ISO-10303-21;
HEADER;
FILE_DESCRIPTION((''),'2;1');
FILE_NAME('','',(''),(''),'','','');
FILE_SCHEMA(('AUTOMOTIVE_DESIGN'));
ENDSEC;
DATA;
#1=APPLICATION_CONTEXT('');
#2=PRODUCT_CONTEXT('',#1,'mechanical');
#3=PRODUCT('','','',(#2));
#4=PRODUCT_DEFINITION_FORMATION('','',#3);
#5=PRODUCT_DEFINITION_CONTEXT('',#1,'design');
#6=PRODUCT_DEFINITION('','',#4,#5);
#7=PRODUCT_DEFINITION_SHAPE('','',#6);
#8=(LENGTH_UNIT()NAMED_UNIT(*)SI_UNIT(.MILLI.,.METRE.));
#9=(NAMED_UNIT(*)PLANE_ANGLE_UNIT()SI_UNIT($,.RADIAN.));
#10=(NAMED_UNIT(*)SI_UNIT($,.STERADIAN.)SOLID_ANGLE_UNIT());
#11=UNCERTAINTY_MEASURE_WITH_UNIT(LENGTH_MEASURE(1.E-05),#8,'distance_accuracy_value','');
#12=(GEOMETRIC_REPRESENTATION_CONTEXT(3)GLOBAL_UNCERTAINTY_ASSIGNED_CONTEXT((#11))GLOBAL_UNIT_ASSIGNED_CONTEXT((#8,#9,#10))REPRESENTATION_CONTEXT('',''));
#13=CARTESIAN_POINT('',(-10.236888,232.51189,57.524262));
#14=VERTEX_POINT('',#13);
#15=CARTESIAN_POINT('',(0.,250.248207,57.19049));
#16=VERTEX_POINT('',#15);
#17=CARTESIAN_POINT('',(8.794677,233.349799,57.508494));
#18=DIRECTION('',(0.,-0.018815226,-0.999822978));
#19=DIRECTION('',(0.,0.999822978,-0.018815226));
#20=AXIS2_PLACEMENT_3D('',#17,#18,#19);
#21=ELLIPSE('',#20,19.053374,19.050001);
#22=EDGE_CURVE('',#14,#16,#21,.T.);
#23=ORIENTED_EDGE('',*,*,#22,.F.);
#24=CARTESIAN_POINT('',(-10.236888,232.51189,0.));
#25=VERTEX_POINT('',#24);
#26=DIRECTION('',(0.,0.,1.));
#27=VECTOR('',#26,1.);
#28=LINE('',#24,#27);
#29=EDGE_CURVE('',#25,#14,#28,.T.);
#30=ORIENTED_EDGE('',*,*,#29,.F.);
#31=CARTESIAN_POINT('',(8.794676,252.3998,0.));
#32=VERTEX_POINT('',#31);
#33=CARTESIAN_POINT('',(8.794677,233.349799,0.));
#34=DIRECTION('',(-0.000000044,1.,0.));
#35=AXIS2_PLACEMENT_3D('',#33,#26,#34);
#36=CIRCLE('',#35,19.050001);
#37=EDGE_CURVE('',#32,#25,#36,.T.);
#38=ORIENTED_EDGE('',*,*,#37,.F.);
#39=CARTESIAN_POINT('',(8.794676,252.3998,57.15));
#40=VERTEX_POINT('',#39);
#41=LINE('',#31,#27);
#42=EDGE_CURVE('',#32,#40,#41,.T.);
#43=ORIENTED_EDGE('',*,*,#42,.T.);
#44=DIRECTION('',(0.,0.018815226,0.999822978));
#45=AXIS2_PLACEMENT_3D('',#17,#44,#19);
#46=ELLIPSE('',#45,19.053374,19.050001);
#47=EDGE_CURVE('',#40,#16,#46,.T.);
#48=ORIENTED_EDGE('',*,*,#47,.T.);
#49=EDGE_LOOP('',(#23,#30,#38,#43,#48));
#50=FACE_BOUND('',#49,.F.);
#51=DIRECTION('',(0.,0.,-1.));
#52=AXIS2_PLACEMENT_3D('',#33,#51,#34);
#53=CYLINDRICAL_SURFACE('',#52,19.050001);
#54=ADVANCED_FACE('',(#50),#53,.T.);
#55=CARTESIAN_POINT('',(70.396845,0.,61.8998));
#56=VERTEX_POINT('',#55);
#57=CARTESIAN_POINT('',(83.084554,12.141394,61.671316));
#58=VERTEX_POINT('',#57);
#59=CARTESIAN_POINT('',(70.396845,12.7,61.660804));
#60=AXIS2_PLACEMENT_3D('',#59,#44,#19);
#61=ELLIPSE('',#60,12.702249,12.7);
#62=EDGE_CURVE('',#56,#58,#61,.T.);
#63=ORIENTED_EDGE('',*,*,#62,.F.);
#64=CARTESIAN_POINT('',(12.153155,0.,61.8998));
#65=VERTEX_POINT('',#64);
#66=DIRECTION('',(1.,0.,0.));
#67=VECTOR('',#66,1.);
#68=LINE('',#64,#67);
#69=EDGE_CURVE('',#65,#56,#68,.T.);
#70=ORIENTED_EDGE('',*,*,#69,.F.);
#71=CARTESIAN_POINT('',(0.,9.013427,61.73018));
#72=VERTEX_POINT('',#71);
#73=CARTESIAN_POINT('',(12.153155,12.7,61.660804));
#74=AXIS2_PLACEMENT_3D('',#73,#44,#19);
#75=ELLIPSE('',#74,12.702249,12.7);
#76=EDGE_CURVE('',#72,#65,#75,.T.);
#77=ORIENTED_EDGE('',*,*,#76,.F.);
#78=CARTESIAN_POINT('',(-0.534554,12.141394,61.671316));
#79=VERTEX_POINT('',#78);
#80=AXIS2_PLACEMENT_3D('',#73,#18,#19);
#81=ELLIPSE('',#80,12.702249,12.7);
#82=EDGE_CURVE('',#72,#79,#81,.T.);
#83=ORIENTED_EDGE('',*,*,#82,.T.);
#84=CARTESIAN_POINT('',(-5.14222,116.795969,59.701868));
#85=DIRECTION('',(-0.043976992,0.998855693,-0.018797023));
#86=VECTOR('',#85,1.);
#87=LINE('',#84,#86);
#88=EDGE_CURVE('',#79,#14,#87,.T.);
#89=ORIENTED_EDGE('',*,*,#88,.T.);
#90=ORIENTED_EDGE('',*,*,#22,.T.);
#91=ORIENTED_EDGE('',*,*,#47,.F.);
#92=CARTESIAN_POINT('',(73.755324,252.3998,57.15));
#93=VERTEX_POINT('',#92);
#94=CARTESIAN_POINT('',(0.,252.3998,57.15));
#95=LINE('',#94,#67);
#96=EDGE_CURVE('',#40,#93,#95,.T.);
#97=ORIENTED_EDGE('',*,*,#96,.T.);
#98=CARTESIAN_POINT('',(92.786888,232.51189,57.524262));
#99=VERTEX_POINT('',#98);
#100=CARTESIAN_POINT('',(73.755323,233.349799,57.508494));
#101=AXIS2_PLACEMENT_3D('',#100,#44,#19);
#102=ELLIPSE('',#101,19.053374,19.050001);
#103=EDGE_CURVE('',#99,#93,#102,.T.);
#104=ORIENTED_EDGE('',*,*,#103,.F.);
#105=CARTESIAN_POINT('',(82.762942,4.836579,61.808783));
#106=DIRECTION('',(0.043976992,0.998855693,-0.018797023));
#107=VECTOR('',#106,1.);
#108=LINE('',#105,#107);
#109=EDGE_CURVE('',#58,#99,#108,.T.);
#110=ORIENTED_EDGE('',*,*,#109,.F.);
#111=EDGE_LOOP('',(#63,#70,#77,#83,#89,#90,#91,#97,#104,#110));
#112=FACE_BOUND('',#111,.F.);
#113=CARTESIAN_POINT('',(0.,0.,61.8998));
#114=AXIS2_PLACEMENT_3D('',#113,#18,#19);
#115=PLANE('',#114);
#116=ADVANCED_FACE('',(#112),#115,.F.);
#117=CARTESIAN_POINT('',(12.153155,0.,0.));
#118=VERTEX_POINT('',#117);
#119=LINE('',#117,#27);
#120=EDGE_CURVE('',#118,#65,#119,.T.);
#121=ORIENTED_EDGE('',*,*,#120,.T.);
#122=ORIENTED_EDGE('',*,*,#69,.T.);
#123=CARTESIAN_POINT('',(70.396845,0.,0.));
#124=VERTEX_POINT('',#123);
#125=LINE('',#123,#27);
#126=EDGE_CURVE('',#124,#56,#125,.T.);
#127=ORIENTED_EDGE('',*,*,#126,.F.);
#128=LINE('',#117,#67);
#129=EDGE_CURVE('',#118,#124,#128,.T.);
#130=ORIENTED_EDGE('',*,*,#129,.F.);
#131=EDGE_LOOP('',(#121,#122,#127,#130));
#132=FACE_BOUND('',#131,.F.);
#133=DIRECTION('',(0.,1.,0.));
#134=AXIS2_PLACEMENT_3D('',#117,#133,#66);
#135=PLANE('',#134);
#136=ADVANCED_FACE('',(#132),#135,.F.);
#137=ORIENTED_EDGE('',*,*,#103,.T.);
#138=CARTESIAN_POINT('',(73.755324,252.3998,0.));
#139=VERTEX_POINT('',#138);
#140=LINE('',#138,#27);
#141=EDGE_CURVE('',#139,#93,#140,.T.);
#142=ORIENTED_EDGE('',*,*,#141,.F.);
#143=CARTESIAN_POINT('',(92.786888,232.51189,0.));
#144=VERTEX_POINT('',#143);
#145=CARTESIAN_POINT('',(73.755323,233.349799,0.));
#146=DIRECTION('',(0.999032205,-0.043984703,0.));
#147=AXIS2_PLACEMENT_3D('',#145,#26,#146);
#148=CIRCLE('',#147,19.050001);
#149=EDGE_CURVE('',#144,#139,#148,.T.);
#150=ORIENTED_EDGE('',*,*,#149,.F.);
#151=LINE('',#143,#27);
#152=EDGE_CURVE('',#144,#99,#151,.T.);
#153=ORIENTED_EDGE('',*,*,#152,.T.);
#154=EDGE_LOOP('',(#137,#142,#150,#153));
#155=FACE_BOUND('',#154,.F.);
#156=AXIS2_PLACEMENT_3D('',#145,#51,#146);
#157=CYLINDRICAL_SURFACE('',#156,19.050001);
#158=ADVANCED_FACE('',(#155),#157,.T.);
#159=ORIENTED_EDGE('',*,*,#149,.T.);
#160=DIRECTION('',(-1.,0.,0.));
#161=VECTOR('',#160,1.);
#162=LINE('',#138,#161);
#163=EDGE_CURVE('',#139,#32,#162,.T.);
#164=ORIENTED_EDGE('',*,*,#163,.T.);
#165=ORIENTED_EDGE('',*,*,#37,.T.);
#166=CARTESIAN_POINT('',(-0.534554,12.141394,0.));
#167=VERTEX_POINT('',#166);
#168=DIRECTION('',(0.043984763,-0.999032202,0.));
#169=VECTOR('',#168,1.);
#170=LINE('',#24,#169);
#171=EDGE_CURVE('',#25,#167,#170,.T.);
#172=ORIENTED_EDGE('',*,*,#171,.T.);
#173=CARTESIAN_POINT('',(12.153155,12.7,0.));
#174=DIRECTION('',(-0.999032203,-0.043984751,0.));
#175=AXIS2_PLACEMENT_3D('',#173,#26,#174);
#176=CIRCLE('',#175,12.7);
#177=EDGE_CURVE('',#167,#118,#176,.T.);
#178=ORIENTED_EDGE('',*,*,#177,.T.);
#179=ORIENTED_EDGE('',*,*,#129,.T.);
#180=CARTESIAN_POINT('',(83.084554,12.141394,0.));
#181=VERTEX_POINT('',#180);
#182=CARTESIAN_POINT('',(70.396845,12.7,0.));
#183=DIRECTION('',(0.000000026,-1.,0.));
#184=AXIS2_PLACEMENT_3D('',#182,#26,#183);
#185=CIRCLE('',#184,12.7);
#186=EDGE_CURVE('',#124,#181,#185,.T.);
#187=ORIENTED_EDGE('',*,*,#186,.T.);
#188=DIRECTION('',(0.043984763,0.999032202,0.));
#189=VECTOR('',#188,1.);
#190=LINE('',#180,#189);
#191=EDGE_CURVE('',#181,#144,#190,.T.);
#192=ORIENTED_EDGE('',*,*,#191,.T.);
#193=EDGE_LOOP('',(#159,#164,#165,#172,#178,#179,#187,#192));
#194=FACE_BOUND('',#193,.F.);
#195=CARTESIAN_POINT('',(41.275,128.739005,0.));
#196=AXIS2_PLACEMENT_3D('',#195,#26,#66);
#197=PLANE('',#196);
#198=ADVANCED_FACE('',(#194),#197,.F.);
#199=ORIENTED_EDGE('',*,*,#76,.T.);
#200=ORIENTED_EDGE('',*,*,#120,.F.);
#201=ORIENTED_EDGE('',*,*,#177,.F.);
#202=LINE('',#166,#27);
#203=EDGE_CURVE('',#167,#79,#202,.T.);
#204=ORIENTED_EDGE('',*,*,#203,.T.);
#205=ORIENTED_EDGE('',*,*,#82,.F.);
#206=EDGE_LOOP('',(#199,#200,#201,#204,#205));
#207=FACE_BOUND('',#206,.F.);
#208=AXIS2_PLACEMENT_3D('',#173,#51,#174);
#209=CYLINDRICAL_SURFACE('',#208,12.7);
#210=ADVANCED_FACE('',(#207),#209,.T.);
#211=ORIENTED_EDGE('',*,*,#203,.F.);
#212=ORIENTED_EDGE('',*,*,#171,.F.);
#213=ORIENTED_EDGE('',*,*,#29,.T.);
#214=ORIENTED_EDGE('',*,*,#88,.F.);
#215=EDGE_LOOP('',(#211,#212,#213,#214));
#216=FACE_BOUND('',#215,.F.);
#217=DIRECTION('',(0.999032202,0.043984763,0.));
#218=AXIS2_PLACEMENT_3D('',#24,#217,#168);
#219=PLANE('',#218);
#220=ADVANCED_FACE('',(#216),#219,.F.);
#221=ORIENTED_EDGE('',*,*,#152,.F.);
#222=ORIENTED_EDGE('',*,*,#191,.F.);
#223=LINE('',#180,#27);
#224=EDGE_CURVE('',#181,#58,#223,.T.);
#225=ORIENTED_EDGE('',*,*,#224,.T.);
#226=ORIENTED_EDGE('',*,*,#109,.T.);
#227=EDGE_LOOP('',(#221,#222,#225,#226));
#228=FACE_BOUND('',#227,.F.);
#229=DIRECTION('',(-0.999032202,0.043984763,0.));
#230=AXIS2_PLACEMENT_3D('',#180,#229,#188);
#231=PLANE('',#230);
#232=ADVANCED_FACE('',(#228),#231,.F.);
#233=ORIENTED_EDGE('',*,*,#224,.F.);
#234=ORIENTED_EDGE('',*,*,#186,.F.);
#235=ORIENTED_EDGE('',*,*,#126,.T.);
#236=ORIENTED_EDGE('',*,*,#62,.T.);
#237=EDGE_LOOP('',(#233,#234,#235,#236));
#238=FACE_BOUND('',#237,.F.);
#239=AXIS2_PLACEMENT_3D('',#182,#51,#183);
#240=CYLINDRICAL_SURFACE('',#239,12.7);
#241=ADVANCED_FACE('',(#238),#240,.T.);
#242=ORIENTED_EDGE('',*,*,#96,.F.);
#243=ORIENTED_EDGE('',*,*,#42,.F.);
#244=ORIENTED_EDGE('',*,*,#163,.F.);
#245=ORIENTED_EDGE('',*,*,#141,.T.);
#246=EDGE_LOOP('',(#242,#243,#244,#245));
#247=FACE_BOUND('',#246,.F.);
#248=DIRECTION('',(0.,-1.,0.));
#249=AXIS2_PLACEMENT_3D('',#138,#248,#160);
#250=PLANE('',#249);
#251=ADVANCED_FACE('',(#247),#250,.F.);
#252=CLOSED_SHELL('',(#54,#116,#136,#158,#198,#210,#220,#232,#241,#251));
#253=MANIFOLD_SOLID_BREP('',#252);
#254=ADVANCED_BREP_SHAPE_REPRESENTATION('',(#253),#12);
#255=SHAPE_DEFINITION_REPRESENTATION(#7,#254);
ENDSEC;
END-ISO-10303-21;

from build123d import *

# Parameters (mm, degrees)
F1_DEPTH = 61.8998
F3_DEPTH = 92.806324
F4_DEPTH = 25.4


with BuildPart() as f1:
    # F0 (on Top) → F1 (new body)
    with BuildSketch(Plane.XY):
        with BuildLine():
            Line((-10.236888, 232.51189), (-0.534554, 12.141394))
            ThreePointArc((-0.534554, 12.141394), (3.372617, 3.524372), (12.153155, 0))
            Line((12.153155, 0), (70.396845, 0))
            ThreePointArc((70.396845, 0), (79.177383, 3.524372), (83.084554, 12.141394))
            Line((83.084554, 12.141394), (92.786888, 232.51189))
            ThreePointArc((92.786888, 232.51189), (87.518766, 246.520607), (73.755324, 252.3998))
            Line((73.755324, 252.3998), (8.794676, 252.3998))
            ThreePointArc((8.794676, 252.3998), (-4.968766, 246.520607), (-10.236888, 232.51189))
        make_face()
    extrude(amount=F1_DEPTH)

    # F2 (on Right) → F3 (cut, through all)
    with BuildSketch(Plane.YZ):
        Polygon((0, 61.8998), (252.3998, 57.15), (252.3998, 61.8998), align=None)
    extrude(amount=F3_DEPTH, mode=Mode.SUBTRACT)

    # F2 (on Right) → F4 (cut)
    with BuildSketch(Plane.YZ):
        Polygon((0, 61.8998), (252.3998, 57.15), (252.3998, 61.8998), align=None)
    extrude(amount=-F4_DEPTH, mode=Mode.SUBTRACT)


solid = f1.part
